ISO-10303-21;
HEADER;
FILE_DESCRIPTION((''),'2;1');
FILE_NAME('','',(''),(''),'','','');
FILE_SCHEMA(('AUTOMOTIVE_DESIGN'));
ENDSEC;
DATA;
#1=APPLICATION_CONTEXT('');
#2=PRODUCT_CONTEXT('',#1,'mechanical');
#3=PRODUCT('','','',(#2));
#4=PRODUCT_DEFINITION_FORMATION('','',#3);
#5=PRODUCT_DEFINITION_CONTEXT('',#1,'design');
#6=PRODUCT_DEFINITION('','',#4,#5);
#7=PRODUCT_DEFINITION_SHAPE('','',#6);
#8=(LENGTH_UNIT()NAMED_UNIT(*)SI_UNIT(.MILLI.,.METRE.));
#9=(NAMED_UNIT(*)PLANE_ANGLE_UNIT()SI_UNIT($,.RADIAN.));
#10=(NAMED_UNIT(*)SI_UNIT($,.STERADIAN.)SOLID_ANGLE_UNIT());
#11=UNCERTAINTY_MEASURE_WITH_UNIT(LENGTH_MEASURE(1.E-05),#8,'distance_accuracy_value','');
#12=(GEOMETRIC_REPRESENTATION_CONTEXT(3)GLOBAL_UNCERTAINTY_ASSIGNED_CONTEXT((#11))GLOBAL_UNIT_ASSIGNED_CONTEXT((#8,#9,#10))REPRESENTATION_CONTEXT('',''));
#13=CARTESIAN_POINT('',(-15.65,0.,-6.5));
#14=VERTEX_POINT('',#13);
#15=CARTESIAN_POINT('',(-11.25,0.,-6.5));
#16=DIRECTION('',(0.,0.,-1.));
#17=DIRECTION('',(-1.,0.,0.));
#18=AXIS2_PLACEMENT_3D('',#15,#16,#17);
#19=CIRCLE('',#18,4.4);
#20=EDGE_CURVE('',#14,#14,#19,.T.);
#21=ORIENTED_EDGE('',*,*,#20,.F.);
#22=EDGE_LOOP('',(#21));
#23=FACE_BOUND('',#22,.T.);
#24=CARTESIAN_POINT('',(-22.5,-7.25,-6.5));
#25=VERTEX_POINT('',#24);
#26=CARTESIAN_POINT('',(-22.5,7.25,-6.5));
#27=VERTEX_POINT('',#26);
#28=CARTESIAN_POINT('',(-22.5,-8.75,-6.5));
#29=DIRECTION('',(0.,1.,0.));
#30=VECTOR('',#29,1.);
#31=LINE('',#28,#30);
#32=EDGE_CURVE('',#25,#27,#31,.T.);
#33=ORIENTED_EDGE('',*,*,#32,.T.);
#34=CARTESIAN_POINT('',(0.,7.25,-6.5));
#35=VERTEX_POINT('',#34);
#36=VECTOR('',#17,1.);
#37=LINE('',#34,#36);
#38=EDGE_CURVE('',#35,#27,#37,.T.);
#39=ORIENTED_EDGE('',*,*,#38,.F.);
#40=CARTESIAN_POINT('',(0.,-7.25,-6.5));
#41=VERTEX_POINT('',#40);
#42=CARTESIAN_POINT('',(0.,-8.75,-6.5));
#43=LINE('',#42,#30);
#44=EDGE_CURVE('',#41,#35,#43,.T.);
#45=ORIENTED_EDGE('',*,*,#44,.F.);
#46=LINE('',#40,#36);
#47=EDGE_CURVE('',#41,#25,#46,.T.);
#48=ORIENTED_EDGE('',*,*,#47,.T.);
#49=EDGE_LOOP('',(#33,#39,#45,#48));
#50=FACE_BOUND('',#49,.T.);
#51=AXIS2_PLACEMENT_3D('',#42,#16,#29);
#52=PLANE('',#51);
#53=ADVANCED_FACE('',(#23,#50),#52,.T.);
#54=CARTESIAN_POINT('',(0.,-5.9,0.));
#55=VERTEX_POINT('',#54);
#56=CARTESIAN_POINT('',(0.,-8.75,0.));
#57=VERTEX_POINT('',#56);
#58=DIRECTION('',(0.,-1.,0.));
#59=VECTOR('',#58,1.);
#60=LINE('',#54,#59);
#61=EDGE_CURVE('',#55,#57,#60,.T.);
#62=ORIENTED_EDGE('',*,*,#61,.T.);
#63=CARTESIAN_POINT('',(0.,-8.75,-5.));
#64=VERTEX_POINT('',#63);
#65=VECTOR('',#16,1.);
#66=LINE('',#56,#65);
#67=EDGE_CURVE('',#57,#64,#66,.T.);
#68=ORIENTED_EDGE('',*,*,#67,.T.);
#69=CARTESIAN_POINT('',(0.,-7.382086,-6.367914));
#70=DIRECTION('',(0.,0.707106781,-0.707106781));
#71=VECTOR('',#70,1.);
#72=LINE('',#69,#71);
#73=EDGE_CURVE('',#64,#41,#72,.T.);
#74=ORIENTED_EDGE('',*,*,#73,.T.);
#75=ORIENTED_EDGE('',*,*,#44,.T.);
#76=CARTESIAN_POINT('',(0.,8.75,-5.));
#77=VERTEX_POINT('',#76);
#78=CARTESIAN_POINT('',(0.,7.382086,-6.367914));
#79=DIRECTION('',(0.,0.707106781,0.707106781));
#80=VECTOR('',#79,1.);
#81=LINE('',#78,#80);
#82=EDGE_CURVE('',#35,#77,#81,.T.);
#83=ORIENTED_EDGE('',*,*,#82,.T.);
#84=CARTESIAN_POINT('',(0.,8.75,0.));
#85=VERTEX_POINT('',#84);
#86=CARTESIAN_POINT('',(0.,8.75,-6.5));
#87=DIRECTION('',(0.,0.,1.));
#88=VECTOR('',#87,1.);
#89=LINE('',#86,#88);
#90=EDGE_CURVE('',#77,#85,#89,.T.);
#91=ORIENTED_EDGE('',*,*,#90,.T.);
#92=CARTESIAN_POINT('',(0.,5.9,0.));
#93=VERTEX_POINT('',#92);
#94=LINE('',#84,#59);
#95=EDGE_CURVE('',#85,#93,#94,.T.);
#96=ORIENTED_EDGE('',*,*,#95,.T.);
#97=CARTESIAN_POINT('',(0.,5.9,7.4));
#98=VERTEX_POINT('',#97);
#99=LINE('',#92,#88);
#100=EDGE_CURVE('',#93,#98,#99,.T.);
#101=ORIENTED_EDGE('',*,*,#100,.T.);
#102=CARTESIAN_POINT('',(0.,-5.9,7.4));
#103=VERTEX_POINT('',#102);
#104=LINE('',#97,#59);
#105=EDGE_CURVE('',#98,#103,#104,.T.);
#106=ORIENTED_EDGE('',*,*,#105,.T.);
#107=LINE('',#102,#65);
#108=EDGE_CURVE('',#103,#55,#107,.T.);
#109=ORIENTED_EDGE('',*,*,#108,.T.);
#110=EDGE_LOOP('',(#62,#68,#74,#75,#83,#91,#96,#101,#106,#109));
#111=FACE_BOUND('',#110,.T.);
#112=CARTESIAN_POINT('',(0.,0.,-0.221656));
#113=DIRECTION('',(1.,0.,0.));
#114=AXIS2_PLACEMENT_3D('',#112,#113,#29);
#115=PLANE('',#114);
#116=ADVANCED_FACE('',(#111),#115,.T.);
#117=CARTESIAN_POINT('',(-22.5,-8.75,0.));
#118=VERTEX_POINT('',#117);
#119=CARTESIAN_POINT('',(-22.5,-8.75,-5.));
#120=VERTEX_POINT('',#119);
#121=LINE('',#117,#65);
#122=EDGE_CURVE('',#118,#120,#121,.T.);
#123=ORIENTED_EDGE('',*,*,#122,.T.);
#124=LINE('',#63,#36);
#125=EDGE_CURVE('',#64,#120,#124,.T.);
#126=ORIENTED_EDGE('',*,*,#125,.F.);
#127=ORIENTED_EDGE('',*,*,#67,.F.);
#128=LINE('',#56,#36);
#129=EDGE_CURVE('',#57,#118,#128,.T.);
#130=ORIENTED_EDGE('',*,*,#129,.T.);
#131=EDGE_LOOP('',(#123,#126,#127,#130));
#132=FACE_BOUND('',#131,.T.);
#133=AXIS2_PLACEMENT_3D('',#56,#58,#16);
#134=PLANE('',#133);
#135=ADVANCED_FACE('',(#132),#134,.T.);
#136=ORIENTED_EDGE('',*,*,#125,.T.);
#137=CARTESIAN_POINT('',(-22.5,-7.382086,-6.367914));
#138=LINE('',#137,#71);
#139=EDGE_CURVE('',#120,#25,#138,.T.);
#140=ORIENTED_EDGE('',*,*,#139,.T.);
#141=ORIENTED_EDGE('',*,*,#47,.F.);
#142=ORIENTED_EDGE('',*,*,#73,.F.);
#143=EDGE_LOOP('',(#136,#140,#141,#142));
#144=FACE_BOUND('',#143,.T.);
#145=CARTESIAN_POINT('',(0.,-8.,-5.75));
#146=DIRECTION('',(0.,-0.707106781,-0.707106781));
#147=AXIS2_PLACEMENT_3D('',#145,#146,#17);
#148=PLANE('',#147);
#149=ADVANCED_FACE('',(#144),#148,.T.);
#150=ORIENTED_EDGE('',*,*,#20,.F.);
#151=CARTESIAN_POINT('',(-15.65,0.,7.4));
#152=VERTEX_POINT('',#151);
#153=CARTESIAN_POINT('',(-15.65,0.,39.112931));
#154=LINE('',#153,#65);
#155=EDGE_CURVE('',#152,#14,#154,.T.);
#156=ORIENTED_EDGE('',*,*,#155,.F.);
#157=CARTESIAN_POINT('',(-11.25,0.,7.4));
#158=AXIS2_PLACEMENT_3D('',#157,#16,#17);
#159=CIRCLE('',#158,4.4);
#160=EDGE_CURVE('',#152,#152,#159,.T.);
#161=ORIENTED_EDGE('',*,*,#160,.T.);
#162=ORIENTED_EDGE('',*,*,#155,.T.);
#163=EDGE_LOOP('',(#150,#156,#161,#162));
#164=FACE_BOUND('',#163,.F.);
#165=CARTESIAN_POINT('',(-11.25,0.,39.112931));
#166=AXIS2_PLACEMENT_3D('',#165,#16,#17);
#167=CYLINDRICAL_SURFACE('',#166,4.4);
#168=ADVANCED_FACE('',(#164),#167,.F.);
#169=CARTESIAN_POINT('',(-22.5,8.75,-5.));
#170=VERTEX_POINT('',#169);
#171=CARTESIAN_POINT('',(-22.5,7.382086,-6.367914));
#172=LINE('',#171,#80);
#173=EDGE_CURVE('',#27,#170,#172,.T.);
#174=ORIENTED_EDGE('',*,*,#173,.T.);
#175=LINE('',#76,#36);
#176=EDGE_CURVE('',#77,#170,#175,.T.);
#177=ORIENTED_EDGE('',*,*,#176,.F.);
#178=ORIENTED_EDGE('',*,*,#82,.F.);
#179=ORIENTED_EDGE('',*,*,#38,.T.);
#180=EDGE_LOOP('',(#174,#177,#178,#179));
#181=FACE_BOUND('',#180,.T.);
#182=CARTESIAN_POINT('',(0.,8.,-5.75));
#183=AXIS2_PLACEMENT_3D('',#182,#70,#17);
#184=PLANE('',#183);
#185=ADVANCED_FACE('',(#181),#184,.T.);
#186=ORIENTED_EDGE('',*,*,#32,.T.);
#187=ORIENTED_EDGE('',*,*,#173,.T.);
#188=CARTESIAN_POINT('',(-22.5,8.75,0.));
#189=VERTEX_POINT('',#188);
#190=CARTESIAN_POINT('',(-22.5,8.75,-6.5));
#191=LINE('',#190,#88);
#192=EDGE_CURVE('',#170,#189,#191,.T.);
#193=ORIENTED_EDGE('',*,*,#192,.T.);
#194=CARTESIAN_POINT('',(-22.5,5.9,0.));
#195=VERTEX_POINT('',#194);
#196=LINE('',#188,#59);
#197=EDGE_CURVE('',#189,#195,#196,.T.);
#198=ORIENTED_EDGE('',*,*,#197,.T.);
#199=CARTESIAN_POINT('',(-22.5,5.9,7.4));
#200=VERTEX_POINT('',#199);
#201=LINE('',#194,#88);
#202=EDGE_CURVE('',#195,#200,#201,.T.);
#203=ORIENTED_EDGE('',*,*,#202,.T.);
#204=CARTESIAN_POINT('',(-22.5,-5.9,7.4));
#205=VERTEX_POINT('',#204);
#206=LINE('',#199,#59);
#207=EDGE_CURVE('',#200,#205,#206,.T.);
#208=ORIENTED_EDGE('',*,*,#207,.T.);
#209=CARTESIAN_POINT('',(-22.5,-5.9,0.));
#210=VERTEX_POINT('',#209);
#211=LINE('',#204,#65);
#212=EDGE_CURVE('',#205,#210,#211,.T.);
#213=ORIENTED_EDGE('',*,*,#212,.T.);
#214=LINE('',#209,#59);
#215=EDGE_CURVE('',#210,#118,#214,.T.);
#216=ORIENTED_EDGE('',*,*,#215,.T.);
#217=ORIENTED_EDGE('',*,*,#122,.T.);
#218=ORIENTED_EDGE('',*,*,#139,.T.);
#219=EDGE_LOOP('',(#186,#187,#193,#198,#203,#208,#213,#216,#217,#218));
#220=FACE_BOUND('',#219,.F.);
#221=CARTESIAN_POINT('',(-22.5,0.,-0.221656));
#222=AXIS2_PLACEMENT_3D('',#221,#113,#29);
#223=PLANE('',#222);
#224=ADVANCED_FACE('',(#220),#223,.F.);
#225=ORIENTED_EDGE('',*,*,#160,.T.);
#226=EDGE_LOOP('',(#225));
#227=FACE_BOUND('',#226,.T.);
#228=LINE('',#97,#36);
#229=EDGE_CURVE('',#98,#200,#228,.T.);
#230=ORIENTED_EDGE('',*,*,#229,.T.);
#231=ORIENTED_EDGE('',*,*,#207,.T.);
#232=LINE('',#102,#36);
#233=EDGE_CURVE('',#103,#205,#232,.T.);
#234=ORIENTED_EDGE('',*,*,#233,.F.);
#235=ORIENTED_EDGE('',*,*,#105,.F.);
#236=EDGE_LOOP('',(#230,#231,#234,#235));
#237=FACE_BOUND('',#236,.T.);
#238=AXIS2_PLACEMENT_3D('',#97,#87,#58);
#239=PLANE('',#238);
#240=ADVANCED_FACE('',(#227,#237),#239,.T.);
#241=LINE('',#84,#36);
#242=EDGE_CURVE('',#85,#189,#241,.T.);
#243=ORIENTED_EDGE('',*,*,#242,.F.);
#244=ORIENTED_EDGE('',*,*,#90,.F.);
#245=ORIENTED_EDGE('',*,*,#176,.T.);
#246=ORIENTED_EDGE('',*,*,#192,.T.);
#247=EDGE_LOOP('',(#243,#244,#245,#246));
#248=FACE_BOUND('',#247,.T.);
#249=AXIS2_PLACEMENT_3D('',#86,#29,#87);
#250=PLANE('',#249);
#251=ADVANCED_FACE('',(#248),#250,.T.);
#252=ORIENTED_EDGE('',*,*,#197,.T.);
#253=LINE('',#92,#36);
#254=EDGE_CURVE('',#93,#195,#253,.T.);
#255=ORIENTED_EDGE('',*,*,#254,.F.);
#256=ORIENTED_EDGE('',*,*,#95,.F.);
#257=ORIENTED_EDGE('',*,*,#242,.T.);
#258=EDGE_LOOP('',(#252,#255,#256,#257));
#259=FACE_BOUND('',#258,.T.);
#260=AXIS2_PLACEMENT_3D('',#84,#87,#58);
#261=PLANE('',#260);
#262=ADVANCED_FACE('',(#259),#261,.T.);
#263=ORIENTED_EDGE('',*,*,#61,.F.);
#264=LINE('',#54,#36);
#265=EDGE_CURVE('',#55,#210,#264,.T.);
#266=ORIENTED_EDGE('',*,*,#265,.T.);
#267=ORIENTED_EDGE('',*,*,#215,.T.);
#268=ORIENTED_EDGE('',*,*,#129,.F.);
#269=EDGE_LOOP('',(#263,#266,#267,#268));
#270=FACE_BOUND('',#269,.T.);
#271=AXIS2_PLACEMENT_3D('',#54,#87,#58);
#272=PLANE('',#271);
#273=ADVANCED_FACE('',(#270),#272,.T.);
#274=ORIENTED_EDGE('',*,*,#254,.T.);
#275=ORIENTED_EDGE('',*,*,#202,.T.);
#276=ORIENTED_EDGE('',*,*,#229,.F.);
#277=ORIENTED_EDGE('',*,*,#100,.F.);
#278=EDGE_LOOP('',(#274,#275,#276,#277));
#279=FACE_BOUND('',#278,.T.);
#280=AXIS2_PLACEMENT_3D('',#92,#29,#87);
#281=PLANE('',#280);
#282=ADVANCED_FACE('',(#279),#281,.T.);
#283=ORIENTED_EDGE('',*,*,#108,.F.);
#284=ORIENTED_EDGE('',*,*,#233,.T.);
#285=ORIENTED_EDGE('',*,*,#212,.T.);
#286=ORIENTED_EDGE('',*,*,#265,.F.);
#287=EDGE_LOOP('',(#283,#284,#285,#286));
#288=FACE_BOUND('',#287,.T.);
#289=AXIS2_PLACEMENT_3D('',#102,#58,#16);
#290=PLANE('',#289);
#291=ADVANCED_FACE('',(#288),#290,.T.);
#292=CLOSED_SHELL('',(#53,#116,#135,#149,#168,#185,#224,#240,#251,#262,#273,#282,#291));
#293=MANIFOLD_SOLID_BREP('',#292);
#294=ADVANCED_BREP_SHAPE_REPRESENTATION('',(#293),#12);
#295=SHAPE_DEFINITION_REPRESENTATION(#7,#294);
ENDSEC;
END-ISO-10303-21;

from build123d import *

# Parameters (mm, degrees)
F1_DEPTH = 22.5
F3_D     = 8.8
F4_SIZE  = 1.5


with BuildPart() as f1:
    # F0 (on Right) → F1 (new body)
    with BuildSketch(Plane.YZ):
        Polygon((5.9, 7.4), (-5.9, 7.4), (-5.9, 0), (-8.75, 0), (-8.75, -6.5), (8.75, -6.5), (8.75, 0), (5.9, 0), align=None)
    extrude(amount=-F1_DEPTH)

    # F3 (through all)
    with Locations(Plane.XY.offset(7.4)):
        with Locations((-11.25, 0)):
            Hole(F3_D / 2)

    # F4
    f4_edges = [f1.edges().sort_by_distance(p)[0] for p in [
        (-11.25, -8.75, -6.5),
        (-11.25, 8.75, -6.5),
    ]]
    chamfer(f4_edges, length=F4_SIZE)


solid = f1.part
